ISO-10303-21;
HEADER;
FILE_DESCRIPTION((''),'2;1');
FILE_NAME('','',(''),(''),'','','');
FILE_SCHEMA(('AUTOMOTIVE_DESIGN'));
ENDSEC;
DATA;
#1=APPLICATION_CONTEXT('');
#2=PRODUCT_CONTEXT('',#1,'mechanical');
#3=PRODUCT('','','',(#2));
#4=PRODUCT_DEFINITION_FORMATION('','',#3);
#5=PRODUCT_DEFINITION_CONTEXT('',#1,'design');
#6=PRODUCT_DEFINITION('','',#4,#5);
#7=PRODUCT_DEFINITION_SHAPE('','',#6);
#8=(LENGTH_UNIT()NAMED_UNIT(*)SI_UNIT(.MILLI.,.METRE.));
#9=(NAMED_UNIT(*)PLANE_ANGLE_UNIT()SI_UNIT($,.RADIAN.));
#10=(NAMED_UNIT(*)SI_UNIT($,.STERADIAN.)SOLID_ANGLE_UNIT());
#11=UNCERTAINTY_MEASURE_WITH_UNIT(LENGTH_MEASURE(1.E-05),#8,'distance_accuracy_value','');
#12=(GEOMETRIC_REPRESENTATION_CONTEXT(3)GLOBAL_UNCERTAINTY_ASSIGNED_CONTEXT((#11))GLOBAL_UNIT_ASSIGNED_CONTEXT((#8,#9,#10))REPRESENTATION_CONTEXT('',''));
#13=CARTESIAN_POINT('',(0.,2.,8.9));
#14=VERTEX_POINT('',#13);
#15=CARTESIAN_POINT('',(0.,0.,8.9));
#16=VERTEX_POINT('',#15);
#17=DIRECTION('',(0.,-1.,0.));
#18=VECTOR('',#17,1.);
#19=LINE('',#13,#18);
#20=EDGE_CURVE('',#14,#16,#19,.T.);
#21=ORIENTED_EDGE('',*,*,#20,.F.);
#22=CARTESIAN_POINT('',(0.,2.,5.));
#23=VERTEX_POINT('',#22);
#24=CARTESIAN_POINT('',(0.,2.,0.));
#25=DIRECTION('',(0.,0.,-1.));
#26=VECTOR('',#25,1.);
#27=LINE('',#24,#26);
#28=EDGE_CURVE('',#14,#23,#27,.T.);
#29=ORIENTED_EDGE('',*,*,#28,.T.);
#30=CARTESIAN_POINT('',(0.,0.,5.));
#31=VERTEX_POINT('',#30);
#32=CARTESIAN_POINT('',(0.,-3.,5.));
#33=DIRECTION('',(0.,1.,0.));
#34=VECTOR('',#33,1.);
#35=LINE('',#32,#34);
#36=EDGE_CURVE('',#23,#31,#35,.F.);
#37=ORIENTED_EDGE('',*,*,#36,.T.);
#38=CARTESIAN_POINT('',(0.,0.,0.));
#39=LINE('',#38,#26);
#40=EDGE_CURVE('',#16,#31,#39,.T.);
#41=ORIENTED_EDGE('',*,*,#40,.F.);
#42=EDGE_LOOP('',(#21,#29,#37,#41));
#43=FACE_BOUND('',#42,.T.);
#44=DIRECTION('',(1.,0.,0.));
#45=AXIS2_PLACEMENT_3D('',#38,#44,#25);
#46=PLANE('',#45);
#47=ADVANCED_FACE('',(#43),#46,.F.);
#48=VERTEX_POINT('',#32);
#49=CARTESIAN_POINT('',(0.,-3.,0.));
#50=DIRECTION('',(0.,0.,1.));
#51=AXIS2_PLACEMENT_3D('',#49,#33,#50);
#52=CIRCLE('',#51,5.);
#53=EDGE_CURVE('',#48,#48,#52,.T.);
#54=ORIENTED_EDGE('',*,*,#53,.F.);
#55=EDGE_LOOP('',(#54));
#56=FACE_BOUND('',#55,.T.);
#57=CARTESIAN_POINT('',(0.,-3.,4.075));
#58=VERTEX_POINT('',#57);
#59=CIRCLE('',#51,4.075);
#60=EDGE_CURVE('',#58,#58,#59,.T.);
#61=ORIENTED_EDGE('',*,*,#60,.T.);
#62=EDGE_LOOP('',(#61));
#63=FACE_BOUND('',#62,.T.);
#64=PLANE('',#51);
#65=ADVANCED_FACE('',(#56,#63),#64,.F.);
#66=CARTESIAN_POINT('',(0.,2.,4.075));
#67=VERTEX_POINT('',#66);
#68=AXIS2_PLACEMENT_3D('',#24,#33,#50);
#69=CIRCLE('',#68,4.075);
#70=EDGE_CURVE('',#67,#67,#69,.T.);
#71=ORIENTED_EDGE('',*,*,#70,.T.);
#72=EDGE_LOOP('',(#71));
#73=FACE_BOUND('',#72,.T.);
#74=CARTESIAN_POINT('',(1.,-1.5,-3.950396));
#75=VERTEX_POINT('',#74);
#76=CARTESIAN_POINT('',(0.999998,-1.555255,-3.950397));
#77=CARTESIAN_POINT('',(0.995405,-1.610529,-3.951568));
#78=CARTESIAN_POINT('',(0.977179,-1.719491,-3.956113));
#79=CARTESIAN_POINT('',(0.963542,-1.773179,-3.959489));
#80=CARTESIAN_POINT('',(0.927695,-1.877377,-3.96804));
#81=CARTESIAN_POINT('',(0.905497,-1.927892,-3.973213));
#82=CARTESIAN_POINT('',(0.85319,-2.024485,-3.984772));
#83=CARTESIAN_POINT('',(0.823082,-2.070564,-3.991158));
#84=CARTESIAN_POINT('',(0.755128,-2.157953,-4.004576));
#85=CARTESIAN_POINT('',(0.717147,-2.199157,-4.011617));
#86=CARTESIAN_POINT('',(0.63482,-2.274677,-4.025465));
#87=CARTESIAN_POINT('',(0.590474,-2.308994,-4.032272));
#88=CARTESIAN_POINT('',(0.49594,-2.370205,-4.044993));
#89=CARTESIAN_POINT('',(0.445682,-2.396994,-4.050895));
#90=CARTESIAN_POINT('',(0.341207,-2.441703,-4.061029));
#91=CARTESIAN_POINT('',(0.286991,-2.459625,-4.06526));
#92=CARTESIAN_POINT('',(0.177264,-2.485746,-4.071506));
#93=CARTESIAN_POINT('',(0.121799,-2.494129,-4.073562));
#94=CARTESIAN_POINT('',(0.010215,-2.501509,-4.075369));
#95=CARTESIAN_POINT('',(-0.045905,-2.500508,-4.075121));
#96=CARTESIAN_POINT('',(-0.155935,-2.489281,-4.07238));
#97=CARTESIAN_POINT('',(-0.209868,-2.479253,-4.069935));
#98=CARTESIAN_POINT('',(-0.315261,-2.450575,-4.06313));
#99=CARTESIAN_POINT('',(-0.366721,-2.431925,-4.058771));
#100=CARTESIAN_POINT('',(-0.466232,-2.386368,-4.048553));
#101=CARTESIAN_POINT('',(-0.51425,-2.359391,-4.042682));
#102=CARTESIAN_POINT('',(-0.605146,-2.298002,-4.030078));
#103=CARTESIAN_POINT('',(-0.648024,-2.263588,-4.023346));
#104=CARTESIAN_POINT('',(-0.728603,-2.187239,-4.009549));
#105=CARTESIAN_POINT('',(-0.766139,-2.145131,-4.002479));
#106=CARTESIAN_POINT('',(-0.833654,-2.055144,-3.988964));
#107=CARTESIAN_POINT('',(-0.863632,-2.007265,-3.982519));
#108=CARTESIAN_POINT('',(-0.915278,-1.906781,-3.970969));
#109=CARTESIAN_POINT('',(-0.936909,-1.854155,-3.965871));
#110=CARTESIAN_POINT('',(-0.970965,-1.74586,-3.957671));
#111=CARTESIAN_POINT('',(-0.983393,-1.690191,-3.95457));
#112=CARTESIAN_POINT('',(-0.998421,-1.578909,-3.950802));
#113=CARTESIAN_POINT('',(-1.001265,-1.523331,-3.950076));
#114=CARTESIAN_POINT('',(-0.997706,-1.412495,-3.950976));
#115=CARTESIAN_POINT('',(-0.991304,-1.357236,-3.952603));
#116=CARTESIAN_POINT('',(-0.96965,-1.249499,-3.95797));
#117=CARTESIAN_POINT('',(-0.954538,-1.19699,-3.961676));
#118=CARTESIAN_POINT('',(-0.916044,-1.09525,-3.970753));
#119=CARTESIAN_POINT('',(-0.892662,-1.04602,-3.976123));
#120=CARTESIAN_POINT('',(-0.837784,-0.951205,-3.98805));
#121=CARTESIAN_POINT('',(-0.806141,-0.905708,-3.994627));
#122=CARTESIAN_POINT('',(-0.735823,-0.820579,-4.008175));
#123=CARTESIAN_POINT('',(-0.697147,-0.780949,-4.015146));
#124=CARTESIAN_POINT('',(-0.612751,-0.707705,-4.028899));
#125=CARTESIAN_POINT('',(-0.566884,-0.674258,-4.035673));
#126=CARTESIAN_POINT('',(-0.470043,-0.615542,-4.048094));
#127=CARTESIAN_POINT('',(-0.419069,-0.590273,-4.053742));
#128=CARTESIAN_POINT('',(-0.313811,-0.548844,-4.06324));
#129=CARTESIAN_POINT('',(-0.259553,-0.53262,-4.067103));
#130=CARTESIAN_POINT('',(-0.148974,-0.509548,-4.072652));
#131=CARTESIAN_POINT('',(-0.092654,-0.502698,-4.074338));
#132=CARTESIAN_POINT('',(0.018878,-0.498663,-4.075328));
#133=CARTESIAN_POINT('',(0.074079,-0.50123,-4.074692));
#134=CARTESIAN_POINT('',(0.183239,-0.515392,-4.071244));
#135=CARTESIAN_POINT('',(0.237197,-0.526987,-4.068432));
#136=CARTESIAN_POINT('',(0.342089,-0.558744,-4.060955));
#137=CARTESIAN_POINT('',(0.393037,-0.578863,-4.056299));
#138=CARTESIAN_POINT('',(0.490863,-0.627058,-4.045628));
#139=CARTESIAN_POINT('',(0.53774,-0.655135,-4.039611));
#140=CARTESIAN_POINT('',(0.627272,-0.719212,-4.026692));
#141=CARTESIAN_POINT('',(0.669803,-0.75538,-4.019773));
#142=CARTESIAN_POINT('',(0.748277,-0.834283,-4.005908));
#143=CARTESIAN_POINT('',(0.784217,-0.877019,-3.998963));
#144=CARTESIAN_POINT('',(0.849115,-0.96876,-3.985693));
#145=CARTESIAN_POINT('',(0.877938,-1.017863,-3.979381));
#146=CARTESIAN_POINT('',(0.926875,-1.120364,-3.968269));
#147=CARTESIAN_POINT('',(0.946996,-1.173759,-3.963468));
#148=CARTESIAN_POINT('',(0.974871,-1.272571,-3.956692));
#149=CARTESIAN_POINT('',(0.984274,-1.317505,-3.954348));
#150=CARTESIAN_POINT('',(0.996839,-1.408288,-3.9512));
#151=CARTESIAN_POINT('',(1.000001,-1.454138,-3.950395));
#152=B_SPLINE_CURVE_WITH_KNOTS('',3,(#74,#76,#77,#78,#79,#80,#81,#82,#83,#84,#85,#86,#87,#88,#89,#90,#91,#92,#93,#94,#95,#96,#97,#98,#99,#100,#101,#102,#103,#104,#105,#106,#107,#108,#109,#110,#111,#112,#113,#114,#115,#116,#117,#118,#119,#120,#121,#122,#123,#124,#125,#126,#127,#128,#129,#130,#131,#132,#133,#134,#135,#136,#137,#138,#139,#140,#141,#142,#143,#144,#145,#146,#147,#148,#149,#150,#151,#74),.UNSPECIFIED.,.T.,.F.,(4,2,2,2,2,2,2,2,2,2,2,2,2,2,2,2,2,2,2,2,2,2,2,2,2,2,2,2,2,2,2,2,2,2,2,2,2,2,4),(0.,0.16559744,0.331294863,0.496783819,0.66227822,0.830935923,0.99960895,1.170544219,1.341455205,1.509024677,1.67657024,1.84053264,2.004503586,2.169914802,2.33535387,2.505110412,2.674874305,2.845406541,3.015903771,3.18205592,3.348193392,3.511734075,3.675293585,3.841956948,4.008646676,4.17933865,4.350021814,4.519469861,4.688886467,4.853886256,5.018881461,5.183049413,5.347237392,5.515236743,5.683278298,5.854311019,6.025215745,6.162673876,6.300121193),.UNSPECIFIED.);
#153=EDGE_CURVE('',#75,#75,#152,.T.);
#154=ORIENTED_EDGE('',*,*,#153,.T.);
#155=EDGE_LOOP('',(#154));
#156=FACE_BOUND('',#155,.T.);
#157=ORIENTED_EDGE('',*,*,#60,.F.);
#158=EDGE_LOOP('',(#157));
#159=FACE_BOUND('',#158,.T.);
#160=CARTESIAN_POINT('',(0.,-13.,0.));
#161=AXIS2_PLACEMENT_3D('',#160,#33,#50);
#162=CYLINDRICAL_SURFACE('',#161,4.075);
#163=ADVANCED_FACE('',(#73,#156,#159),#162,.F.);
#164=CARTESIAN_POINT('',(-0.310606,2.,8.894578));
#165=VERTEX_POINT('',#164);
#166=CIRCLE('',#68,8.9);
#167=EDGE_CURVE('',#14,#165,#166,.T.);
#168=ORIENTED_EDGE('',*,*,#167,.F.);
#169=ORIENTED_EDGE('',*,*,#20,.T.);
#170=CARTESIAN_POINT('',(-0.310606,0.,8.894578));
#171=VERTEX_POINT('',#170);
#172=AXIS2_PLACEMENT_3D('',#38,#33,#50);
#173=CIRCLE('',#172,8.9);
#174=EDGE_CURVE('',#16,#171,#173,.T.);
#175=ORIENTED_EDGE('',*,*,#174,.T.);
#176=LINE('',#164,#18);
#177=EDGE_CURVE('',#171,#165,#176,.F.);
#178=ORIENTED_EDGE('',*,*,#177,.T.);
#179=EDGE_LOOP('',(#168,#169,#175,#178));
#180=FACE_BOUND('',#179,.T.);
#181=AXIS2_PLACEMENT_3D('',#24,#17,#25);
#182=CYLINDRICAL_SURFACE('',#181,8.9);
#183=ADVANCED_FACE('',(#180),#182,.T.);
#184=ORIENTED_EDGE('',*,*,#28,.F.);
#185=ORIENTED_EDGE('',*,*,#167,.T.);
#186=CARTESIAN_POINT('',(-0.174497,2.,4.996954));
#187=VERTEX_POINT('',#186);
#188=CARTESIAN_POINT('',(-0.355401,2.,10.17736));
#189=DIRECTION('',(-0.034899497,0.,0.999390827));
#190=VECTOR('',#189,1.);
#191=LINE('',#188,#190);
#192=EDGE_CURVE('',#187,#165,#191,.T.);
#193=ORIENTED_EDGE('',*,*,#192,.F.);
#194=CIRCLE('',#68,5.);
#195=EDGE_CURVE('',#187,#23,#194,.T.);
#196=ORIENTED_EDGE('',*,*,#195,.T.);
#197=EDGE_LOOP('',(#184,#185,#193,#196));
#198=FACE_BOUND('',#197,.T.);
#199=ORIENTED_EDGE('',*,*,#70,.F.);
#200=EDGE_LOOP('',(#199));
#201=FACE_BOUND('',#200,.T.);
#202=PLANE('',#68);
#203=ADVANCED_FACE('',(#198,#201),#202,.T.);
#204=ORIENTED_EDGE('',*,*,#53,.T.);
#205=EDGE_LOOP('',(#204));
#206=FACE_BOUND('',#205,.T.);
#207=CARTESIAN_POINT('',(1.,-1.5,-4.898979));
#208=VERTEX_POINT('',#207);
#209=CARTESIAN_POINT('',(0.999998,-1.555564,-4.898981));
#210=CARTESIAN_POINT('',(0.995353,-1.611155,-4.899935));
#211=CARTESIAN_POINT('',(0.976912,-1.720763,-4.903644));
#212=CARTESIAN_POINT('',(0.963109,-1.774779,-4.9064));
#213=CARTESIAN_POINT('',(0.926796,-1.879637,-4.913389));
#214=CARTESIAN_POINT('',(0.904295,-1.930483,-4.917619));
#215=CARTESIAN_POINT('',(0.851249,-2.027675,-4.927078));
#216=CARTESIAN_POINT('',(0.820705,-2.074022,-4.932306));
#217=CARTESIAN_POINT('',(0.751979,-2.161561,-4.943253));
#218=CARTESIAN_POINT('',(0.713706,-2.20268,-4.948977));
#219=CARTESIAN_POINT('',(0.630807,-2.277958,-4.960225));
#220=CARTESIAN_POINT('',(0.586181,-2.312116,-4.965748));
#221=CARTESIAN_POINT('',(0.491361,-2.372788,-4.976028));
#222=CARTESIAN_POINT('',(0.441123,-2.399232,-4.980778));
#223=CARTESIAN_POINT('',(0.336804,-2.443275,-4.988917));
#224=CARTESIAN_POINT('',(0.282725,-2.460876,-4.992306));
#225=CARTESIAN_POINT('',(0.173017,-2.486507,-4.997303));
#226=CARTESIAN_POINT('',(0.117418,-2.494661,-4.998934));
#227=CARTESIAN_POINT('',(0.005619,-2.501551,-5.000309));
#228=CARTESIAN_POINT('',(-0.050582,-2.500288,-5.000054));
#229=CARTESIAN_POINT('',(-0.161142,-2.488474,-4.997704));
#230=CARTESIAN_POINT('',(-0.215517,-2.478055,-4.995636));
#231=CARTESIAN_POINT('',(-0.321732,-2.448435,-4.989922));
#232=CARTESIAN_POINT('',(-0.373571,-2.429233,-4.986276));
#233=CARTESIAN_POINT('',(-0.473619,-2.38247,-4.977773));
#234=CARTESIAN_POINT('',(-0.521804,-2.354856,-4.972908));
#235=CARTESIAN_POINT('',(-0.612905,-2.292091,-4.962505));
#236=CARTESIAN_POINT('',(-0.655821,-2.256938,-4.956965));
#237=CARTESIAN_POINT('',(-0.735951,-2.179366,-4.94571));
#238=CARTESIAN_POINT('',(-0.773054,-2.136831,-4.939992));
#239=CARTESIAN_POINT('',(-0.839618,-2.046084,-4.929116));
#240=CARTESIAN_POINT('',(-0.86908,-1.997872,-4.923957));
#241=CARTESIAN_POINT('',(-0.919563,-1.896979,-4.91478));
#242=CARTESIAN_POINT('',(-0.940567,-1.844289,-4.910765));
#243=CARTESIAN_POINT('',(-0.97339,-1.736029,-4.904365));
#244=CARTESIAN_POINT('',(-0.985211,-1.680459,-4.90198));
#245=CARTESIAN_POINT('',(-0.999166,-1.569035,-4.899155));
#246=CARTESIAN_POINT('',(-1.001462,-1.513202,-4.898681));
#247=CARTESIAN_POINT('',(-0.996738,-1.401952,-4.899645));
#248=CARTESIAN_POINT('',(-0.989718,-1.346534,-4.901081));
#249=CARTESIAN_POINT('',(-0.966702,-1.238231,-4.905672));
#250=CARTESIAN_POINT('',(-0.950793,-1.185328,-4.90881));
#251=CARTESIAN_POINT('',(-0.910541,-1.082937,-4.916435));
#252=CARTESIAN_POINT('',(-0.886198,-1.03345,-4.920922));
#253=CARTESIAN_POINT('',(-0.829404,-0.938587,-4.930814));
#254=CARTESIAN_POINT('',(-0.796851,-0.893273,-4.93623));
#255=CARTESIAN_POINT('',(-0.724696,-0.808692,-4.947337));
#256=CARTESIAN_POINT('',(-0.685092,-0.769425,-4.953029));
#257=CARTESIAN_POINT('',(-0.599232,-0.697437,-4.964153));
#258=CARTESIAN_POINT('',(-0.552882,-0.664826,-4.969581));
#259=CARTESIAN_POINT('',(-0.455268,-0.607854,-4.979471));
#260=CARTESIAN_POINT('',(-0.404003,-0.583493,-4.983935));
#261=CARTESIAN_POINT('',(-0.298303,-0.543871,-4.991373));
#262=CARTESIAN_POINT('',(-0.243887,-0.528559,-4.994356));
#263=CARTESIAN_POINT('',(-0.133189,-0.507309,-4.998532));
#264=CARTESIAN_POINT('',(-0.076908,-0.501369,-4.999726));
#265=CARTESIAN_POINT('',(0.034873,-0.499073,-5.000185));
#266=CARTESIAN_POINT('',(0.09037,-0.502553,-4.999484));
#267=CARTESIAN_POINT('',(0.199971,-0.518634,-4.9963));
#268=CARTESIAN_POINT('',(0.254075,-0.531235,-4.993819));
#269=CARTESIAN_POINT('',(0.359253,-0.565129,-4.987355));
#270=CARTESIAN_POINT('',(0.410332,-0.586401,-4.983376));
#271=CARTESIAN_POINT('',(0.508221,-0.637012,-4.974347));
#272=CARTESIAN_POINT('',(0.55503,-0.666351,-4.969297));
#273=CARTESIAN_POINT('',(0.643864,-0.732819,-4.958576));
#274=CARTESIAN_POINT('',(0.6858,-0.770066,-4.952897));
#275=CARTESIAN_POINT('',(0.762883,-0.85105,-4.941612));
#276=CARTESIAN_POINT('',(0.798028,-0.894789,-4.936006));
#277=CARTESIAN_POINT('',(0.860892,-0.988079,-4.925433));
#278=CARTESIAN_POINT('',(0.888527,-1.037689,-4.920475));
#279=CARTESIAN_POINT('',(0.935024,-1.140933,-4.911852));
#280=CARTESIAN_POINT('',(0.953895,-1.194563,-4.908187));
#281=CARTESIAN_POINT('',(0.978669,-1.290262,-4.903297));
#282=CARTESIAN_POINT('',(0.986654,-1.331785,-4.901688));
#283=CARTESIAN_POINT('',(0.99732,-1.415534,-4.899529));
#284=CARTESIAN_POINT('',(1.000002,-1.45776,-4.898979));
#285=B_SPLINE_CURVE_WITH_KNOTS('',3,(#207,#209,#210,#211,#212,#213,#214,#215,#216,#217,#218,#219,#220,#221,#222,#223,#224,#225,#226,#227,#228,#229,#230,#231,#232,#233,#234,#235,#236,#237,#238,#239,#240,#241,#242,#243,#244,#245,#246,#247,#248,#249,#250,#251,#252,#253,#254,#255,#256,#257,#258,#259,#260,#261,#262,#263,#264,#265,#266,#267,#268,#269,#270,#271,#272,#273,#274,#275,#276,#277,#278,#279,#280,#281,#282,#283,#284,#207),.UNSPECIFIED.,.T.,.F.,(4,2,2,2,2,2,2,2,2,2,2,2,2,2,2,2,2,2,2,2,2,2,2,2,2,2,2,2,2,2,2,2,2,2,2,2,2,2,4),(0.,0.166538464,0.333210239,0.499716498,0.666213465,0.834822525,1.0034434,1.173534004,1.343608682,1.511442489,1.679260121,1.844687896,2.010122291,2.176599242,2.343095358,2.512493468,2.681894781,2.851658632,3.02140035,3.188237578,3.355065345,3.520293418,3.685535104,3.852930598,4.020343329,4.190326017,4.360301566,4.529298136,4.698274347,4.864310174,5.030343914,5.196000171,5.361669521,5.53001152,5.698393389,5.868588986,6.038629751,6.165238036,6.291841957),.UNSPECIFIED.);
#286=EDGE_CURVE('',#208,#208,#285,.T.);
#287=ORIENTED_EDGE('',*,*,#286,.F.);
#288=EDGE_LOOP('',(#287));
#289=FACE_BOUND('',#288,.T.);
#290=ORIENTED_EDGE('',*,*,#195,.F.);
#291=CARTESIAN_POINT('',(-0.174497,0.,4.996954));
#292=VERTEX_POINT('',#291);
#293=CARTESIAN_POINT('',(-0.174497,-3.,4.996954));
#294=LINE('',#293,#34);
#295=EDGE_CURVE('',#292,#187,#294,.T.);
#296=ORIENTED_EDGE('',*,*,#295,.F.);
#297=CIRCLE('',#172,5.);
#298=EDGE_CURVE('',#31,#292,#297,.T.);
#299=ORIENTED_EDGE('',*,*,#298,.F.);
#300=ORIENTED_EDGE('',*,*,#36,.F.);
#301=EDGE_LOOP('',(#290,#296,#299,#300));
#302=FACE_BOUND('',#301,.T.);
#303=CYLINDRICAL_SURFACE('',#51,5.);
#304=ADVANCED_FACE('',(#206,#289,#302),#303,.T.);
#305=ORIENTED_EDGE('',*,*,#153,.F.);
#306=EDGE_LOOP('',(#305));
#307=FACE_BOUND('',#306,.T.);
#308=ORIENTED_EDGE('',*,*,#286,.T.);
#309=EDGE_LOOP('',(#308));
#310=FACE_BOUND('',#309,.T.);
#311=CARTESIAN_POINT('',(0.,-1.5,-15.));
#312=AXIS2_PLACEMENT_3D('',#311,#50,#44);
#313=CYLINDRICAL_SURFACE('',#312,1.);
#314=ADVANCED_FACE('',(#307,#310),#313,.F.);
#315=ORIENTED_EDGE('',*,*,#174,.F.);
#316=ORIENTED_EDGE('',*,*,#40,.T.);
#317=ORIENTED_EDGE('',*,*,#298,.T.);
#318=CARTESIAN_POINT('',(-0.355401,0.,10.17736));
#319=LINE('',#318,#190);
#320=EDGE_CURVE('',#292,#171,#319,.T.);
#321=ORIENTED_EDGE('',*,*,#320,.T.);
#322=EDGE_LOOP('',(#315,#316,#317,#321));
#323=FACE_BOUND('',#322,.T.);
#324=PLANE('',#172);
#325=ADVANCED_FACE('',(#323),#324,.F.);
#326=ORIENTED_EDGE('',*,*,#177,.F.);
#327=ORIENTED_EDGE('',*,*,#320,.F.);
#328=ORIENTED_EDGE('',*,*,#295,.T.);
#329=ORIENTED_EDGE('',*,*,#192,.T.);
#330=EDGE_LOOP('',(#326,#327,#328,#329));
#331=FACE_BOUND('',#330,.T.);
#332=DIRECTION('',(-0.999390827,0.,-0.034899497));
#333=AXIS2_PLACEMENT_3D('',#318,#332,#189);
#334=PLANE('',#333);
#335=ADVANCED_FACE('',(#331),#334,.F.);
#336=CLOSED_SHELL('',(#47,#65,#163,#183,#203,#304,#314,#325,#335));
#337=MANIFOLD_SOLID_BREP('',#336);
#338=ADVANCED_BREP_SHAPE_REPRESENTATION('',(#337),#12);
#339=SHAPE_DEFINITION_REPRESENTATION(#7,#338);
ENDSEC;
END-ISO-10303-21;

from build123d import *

# Parameters (mm, degrees)
SKETCH1_R           = 8.9
SKETCH1_R_2         = 4
BOSS_EXTRUDE1_DEPTH = 2
CUT_EXTRUDE1_DEPTH  = 2
SKETCH3_R           = 5
SKETCH3_R_2         = 4
BOSS_EXTRUDE2_DEPTH = 5
SKETCH4_R           = 4.075
CUT_EXTRUDE2_DEPTH  = 15
SKETCH6_R           = 1
CUT_EXTRUDE3_DEPTH  = 15


with BuildPart() as part:
    # Sketch1 → Boss-Extrude1 (new body)
    with BuildSketch(Plane(origin=(0, 0, 0), x_dir=(1, 0, 0), z_dir=(0, 1, 0))):
        Circle(SKETCH1_R)
        Circle(SKETCH1_R_2, mode=Mode.SUBTRACT)
    extrude(amount=BOSS_EXTRUDE1_DEPTH)

    # Sketch2 → Cut-Extrude1 (cut)
    with BuildSketch(Plane(origin=(0, 2, 0), x_dir=(1, 0, 0), z_dir=(0, 1, 0))):
        Polygon((0, 0), (0, -10.52604124), (-0.355401251, -10.177360244), align=None)
    extrude(amount=-CUT_EXTRUDE1_DEPTH, mode=Mode.SUBTRACT)

    # Sketch3 → Boss-Extrude2 (add)
    with BuildSketch(Plane(origin=(0, 2, 0), x_dir=(1, 0, 0), z_dir=(0, 1, 0))):
        Circle(SKETCH3_R)
        Circle(SKETCH3_R_2, mode=Mode.SUBTRACT)
    extrude(amount=-BOSS_EXTRUDE2_DEPTH)

    # Sketch4 → Cut-Extrude2 (cut)
    with BuildSketch(Plane(origin=(0, 2, 0), x_dir=(1, 0, 0), z_dir=(0, 1, 0))):
        Circle(SKETCH4_R)
    extrude(amount=-CUT_EXTRUDE2_DEPTH, mode=Mode.SUBTRACT)

    # Sketch6 → Cut-Extrude3 (cut)
    with BuildSketch(Plane.XY):
        with Locations((0, -1.5)):
            Circle(SKETCH6_R)
    extrude(amount=-CUT_EXTRUDE3_DEPTH, mode=Mode.SUBTRACT)


solid = part.part
